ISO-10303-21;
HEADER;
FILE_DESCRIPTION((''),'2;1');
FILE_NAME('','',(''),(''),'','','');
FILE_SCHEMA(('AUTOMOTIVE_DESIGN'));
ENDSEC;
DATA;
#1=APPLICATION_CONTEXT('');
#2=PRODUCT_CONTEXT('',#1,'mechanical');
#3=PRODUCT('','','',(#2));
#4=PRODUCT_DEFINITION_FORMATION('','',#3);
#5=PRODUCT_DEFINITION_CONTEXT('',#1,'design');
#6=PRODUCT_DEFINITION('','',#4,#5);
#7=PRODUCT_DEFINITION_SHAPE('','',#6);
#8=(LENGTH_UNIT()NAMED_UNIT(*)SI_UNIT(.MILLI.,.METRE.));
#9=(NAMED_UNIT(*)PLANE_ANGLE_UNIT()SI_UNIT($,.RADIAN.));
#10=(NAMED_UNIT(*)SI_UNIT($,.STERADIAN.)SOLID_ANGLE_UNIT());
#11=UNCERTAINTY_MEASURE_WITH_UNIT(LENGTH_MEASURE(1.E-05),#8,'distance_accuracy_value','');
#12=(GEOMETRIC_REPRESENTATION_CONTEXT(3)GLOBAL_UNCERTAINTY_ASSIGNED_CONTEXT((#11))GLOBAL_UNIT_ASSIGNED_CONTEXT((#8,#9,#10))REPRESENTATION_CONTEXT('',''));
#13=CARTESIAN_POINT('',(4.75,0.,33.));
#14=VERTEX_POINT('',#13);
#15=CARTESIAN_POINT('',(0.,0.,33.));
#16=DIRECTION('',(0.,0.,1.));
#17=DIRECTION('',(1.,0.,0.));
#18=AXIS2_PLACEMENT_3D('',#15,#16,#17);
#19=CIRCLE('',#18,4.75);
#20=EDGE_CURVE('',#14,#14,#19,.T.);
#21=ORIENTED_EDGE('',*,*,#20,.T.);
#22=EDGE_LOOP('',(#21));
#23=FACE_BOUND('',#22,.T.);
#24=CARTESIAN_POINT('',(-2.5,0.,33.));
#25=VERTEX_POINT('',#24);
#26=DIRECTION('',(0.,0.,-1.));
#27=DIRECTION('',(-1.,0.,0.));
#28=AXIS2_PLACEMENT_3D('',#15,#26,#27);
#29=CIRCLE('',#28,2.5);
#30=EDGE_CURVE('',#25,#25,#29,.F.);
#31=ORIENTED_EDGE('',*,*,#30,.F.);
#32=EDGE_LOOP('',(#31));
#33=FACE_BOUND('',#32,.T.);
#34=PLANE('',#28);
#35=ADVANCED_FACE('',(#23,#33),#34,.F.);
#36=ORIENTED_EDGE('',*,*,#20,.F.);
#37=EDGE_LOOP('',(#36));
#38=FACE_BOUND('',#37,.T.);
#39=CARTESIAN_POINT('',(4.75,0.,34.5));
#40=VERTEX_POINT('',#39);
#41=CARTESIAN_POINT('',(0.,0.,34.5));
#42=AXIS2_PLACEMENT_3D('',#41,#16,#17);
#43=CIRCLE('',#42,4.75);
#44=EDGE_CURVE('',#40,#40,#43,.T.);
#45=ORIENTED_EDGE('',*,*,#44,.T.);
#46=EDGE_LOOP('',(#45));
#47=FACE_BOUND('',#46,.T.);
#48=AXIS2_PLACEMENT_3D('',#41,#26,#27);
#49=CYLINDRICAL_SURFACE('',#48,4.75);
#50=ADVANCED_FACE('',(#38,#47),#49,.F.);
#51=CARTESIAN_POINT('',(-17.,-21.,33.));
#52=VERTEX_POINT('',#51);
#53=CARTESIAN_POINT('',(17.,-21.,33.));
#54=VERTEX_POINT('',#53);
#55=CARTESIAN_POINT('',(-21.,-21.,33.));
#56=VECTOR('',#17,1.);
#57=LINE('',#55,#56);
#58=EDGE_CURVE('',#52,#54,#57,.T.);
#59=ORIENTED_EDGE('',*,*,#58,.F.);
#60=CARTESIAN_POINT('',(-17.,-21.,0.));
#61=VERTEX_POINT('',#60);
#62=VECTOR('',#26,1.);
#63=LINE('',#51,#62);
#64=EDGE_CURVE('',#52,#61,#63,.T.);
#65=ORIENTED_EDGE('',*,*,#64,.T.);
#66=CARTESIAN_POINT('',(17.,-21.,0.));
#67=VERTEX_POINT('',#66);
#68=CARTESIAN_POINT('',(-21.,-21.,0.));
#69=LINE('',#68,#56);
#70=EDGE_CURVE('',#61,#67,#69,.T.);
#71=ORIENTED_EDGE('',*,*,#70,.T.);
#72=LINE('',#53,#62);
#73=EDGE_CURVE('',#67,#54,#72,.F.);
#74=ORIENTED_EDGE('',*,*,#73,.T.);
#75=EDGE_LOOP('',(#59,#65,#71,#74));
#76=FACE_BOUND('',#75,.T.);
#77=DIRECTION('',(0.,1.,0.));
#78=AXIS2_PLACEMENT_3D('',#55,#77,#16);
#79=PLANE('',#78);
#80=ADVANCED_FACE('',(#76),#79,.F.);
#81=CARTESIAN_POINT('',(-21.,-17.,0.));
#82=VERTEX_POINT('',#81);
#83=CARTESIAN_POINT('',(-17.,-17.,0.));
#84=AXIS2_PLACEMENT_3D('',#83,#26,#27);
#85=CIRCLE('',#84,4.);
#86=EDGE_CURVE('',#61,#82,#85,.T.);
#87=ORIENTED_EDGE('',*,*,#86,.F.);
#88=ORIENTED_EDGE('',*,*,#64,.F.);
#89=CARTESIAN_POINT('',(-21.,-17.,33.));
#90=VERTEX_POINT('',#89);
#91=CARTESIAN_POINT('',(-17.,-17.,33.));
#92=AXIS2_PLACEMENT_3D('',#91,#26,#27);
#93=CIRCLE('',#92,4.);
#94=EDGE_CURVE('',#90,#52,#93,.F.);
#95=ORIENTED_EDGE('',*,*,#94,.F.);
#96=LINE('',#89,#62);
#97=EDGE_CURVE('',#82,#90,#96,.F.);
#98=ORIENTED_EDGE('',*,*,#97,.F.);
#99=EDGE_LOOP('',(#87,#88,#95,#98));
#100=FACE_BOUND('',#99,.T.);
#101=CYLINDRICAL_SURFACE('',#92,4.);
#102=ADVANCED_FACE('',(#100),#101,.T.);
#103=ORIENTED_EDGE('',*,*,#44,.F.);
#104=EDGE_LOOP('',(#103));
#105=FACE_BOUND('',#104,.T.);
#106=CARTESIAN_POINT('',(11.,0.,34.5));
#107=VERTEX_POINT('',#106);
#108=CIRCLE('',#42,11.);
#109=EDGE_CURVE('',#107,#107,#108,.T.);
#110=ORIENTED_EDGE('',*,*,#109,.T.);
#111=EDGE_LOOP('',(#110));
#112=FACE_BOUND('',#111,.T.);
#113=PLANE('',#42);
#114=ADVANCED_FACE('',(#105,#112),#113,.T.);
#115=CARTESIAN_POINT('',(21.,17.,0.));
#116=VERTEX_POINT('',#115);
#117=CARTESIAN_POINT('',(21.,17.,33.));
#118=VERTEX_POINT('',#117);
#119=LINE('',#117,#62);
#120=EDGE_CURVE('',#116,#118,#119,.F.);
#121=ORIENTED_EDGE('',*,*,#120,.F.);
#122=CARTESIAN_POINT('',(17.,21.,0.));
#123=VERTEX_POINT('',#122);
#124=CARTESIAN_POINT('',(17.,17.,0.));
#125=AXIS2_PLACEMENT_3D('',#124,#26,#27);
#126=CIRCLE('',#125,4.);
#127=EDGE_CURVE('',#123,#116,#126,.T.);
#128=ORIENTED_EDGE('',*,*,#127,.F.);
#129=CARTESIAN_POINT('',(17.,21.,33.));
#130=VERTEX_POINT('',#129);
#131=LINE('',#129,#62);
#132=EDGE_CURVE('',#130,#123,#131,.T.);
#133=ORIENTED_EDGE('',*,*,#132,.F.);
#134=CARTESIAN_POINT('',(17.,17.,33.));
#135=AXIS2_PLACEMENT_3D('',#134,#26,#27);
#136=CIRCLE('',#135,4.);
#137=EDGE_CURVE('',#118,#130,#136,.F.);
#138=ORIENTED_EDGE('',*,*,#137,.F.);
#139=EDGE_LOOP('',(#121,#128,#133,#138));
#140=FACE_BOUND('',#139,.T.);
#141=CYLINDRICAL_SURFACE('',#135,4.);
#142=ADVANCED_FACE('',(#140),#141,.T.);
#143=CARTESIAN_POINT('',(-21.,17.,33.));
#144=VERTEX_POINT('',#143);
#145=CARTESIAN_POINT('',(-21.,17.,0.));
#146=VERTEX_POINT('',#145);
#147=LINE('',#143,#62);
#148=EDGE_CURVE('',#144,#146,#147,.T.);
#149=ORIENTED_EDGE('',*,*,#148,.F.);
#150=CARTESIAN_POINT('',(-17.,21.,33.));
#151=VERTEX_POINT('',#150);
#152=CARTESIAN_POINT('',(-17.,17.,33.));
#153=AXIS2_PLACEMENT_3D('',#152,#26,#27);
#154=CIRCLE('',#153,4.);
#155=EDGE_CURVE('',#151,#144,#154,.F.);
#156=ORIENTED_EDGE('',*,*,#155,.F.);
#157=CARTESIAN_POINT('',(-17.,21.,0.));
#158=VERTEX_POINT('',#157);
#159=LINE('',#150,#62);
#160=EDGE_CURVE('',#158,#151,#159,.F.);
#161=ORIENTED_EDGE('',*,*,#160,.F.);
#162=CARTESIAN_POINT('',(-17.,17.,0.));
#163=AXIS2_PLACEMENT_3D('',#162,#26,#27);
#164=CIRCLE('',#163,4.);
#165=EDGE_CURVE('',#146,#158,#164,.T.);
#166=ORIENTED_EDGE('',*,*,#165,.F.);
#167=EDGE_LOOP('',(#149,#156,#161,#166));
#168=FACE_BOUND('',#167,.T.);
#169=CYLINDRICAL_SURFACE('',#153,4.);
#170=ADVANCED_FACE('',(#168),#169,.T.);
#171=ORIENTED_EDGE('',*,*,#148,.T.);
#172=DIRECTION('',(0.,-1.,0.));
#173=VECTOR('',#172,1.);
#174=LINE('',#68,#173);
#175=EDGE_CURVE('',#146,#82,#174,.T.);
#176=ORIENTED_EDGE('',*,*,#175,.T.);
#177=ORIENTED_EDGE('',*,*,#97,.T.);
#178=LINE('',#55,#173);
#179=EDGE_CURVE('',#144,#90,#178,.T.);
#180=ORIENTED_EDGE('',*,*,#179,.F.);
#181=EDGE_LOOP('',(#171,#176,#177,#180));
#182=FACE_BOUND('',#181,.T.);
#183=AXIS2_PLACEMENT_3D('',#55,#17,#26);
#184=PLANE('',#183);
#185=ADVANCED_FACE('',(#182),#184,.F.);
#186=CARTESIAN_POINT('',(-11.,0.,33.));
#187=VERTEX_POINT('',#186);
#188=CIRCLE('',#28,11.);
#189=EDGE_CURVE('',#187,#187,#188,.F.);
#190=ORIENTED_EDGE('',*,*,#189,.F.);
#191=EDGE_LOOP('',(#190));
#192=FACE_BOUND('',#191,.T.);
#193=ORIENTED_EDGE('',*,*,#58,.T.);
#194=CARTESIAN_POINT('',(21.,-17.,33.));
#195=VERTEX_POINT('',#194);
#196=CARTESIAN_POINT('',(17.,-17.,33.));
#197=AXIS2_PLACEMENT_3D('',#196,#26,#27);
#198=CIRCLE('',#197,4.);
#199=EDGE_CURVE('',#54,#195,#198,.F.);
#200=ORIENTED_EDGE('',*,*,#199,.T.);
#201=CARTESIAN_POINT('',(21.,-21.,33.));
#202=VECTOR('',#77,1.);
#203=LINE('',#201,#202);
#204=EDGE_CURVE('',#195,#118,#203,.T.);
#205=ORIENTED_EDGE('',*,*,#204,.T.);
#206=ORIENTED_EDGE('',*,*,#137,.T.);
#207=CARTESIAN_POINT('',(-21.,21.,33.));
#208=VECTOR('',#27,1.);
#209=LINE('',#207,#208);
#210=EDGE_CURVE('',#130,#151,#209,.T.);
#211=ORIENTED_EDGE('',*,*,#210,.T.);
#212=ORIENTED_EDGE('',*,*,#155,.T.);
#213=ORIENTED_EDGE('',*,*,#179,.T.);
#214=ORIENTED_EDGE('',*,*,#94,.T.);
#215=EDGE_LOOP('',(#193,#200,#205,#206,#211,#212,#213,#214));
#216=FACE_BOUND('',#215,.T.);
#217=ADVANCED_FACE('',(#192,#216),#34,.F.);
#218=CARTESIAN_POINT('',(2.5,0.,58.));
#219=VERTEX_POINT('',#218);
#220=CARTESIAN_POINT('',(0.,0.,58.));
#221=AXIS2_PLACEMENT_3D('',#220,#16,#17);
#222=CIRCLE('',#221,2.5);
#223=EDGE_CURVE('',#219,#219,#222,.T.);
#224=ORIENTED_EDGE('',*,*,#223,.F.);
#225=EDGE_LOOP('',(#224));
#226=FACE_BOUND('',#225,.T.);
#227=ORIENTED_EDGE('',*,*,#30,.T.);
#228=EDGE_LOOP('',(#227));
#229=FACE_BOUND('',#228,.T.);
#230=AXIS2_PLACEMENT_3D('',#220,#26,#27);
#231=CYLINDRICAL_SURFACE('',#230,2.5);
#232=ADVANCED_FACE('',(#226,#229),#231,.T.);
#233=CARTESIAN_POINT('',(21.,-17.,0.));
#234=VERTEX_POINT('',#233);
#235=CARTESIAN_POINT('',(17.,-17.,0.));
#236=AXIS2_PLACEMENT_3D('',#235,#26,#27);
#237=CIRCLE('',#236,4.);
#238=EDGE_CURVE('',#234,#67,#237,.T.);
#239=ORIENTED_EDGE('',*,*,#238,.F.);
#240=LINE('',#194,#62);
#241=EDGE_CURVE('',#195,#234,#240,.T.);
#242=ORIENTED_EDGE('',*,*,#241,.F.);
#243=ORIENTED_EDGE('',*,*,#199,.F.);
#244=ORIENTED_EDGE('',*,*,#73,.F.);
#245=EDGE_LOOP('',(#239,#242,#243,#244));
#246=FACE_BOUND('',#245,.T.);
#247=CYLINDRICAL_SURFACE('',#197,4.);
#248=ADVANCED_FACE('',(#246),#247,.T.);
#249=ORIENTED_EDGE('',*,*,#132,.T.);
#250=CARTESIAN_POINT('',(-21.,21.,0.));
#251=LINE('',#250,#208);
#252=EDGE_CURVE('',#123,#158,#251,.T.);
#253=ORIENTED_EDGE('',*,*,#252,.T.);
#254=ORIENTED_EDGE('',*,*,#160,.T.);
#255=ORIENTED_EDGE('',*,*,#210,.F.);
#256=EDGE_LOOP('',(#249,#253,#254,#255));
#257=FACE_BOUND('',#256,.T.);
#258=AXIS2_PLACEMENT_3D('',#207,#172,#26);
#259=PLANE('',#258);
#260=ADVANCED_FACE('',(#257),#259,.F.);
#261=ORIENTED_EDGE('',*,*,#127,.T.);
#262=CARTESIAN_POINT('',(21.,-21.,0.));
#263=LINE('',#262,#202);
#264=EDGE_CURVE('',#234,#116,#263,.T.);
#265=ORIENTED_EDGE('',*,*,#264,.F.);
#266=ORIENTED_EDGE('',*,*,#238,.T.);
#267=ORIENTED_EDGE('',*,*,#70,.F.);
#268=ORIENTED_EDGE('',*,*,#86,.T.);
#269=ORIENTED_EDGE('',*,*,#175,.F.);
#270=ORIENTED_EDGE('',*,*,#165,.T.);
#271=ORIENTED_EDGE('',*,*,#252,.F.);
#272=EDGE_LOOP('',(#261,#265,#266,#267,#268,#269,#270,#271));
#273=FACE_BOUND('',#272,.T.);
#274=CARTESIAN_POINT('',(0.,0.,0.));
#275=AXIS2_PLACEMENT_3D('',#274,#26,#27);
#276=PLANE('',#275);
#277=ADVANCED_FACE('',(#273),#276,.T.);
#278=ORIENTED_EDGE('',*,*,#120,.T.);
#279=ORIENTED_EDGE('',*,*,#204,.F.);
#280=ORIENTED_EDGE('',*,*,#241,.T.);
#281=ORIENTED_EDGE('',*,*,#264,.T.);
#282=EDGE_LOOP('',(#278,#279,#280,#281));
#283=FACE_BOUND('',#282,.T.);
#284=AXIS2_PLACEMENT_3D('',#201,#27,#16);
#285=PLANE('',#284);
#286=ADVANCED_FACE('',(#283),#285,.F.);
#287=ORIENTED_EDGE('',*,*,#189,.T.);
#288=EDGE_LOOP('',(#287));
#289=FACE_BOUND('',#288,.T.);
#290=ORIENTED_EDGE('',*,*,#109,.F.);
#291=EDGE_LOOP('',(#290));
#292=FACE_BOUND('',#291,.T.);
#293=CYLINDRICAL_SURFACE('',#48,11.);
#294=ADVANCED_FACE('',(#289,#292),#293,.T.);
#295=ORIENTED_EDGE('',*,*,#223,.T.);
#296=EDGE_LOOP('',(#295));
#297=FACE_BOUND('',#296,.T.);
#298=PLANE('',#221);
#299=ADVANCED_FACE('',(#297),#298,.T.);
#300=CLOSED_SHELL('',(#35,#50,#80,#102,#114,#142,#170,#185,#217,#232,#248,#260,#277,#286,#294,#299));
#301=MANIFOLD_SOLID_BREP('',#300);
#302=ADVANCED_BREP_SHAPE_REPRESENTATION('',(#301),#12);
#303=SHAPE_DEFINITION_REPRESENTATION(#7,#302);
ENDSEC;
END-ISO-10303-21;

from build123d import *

# Parameters (mm, degrees)
CROQUIS1_W              = 42
CROQUIS1_H              = 42
SALIENTE_EXTRUIR1_DEPTH = 33
REDONDEO1_R             = 4
CROQUIS2_R              = 11
CROQUIS2_R_2            = 4.75
SALIENTE_EXTRUIR2_DEPTH = 1.5
CROQUIS2_4_R            = 2.5
SALIENTE_EXTRUIR3_DEPTH = 25


with BuildPart() as part:
    # Croquis1 → Saliente-Extruir1 (new body)
    with BuildSketch(Plane.XY):
        Rectangle(CROQUIS1_W, CROQUIS1_H)
    extrude(amount=SALIENTE_EXTRUIR1_DEPTH)

    # Redondeo1
    redondeo1_edges = [part.edges().sort_by_distance(p)[0] for p in [
        (-21, -21, 16.5),
        (21, -21, 16.5),
        (21, 21, 16.5),
        (-21, 21, 16.5),
    ]]
    fillet(redondeo1_edges, radius=REDONDEO1_R)

    # Croquis2 → Saliente-Extruir2 (add)
    with BuildSketch(Plane.XY.offset(33)):
        Circle(CROQUIS2_R)
        Circle(CROQUIS2_R_2, mode=Mode.SUBTRACT)
    extrude(amount=SALIENTE_EXTRUIR2_DEPTH)

    # Croquis2<4> → Saliente-Extruir3 (add)
    with BuildSketch(Plane.XY.offset(33)):
        Circle(CROQUIS2_4_R)
    extrude(amount=SALIENTE_EXTRUIR3_DEPTH)


solid = part.part
